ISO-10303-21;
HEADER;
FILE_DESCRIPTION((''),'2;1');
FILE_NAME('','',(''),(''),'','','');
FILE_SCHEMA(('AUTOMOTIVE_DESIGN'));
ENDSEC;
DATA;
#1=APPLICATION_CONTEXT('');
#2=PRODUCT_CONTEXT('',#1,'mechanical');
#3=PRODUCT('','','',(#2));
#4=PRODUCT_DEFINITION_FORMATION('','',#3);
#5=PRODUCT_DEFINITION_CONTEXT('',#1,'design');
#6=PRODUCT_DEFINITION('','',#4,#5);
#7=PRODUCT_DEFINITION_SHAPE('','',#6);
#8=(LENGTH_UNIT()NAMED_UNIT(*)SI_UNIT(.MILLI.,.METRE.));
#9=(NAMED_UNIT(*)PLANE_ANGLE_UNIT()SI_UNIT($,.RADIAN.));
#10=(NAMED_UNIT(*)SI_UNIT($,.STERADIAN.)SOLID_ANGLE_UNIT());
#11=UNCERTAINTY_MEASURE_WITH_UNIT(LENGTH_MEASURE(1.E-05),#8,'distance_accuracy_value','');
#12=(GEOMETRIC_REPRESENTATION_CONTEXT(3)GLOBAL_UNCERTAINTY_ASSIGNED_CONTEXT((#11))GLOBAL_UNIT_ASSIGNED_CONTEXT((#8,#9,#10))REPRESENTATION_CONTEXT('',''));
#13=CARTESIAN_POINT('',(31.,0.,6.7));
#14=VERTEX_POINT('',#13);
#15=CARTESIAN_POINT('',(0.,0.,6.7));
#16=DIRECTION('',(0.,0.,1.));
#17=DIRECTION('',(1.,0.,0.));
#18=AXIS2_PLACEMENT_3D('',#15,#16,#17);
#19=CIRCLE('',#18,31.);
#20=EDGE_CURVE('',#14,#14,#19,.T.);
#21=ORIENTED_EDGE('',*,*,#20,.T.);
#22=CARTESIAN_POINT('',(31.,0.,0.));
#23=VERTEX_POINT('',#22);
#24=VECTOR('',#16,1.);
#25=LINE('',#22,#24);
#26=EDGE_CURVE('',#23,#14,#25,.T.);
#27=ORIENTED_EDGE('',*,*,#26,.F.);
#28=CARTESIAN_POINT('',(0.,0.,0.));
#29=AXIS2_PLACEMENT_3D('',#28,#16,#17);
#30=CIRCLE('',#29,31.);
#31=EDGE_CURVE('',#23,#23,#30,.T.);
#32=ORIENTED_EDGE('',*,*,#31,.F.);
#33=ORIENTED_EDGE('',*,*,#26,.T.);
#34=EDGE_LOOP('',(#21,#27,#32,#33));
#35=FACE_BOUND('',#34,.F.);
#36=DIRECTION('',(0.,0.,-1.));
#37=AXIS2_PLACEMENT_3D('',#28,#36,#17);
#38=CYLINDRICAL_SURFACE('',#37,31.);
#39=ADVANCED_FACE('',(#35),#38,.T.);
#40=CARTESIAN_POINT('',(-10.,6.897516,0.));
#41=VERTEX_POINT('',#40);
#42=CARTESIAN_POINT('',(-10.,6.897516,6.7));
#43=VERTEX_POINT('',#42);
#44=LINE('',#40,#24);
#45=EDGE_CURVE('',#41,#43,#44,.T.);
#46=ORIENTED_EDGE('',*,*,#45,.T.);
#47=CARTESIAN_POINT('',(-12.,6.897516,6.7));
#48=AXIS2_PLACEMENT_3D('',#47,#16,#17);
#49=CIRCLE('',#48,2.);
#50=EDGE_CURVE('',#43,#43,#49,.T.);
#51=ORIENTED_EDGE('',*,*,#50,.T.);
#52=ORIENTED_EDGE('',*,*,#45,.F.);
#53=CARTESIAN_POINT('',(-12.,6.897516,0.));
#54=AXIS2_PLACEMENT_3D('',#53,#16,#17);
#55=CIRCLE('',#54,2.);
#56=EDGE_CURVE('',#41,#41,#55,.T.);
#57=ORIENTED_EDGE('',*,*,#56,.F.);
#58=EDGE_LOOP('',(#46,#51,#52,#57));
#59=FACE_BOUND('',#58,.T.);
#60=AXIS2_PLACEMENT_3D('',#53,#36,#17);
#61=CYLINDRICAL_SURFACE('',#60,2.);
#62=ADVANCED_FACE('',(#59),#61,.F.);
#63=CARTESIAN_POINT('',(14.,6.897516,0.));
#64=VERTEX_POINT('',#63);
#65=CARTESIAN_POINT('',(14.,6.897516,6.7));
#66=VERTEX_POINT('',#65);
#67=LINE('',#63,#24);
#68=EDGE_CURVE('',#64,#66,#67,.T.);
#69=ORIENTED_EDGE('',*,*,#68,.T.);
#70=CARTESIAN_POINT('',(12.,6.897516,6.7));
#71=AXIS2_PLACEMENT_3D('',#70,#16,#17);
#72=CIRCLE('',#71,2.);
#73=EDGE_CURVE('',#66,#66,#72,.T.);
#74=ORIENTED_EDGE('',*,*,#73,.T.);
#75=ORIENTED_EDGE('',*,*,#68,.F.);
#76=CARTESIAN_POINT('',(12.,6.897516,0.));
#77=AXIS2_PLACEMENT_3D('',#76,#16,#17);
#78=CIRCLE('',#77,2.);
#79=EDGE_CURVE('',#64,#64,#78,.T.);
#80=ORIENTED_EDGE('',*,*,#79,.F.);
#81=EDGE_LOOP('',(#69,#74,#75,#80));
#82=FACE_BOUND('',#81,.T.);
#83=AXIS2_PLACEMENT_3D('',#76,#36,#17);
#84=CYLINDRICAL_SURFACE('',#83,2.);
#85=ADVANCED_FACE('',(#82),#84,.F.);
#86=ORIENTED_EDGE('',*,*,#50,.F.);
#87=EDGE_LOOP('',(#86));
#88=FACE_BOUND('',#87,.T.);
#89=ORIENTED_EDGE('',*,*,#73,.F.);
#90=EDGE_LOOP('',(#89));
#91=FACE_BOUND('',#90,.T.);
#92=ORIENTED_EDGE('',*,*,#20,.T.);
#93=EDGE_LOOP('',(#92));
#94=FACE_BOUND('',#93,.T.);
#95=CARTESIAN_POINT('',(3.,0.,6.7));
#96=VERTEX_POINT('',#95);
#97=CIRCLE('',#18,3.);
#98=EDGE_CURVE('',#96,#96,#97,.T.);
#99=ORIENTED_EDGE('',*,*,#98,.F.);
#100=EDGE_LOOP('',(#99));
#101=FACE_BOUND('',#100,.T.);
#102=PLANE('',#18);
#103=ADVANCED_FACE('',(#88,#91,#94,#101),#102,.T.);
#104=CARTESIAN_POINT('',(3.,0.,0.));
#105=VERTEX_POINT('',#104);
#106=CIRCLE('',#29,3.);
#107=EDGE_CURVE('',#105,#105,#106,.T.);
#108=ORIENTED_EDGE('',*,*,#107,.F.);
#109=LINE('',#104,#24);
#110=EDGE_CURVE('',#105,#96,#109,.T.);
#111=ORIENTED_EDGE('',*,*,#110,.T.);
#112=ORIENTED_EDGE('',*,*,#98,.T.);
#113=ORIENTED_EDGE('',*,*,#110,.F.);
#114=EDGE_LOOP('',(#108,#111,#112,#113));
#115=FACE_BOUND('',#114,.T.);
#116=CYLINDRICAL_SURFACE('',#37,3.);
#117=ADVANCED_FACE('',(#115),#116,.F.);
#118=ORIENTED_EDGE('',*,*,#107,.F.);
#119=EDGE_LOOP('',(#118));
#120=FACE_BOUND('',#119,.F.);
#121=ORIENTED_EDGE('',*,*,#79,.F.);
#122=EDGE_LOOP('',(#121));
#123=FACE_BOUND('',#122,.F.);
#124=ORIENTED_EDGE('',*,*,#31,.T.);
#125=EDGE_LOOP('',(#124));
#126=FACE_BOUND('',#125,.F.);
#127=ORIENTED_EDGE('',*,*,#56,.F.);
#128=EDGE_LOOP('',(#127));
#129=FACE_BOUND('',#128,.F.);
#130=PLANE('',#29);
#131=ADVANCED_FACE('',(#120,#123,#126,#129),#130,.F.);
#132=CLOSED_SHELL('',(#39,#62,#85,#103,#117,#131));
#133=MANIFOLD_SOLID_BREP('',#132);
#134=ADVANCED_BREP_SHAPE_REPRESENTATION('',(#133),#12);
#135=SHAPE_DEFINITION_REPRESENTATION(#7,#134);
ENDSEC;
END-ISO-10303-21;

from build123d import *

# Parameters (mm, degrees)
SKETCH_R   = 31
SKETCH_R_2 = 2
SKETCH_R_3 = 3
PAD_DEPTH  = 6.7


with BuildPart() as part:
    # Sketch → Pad (new body)
    with BuildSketch(Plane.XY):
        Circle(SKETCH_R)
        with Locations((-12, 6.897516)):
            Circle(SKETCH_R_2, mode=Mode.SUBTRACT)
        with Locations((12, 6.897516)):
            Circle(SKETCH_R_2, mode=Mode.SUBTRACT)
        Circle(SKETCH_R_3, mode=Mode.SUBTRACT)
    extrude(amount=PAD_DEPTH)


solid = part.part
